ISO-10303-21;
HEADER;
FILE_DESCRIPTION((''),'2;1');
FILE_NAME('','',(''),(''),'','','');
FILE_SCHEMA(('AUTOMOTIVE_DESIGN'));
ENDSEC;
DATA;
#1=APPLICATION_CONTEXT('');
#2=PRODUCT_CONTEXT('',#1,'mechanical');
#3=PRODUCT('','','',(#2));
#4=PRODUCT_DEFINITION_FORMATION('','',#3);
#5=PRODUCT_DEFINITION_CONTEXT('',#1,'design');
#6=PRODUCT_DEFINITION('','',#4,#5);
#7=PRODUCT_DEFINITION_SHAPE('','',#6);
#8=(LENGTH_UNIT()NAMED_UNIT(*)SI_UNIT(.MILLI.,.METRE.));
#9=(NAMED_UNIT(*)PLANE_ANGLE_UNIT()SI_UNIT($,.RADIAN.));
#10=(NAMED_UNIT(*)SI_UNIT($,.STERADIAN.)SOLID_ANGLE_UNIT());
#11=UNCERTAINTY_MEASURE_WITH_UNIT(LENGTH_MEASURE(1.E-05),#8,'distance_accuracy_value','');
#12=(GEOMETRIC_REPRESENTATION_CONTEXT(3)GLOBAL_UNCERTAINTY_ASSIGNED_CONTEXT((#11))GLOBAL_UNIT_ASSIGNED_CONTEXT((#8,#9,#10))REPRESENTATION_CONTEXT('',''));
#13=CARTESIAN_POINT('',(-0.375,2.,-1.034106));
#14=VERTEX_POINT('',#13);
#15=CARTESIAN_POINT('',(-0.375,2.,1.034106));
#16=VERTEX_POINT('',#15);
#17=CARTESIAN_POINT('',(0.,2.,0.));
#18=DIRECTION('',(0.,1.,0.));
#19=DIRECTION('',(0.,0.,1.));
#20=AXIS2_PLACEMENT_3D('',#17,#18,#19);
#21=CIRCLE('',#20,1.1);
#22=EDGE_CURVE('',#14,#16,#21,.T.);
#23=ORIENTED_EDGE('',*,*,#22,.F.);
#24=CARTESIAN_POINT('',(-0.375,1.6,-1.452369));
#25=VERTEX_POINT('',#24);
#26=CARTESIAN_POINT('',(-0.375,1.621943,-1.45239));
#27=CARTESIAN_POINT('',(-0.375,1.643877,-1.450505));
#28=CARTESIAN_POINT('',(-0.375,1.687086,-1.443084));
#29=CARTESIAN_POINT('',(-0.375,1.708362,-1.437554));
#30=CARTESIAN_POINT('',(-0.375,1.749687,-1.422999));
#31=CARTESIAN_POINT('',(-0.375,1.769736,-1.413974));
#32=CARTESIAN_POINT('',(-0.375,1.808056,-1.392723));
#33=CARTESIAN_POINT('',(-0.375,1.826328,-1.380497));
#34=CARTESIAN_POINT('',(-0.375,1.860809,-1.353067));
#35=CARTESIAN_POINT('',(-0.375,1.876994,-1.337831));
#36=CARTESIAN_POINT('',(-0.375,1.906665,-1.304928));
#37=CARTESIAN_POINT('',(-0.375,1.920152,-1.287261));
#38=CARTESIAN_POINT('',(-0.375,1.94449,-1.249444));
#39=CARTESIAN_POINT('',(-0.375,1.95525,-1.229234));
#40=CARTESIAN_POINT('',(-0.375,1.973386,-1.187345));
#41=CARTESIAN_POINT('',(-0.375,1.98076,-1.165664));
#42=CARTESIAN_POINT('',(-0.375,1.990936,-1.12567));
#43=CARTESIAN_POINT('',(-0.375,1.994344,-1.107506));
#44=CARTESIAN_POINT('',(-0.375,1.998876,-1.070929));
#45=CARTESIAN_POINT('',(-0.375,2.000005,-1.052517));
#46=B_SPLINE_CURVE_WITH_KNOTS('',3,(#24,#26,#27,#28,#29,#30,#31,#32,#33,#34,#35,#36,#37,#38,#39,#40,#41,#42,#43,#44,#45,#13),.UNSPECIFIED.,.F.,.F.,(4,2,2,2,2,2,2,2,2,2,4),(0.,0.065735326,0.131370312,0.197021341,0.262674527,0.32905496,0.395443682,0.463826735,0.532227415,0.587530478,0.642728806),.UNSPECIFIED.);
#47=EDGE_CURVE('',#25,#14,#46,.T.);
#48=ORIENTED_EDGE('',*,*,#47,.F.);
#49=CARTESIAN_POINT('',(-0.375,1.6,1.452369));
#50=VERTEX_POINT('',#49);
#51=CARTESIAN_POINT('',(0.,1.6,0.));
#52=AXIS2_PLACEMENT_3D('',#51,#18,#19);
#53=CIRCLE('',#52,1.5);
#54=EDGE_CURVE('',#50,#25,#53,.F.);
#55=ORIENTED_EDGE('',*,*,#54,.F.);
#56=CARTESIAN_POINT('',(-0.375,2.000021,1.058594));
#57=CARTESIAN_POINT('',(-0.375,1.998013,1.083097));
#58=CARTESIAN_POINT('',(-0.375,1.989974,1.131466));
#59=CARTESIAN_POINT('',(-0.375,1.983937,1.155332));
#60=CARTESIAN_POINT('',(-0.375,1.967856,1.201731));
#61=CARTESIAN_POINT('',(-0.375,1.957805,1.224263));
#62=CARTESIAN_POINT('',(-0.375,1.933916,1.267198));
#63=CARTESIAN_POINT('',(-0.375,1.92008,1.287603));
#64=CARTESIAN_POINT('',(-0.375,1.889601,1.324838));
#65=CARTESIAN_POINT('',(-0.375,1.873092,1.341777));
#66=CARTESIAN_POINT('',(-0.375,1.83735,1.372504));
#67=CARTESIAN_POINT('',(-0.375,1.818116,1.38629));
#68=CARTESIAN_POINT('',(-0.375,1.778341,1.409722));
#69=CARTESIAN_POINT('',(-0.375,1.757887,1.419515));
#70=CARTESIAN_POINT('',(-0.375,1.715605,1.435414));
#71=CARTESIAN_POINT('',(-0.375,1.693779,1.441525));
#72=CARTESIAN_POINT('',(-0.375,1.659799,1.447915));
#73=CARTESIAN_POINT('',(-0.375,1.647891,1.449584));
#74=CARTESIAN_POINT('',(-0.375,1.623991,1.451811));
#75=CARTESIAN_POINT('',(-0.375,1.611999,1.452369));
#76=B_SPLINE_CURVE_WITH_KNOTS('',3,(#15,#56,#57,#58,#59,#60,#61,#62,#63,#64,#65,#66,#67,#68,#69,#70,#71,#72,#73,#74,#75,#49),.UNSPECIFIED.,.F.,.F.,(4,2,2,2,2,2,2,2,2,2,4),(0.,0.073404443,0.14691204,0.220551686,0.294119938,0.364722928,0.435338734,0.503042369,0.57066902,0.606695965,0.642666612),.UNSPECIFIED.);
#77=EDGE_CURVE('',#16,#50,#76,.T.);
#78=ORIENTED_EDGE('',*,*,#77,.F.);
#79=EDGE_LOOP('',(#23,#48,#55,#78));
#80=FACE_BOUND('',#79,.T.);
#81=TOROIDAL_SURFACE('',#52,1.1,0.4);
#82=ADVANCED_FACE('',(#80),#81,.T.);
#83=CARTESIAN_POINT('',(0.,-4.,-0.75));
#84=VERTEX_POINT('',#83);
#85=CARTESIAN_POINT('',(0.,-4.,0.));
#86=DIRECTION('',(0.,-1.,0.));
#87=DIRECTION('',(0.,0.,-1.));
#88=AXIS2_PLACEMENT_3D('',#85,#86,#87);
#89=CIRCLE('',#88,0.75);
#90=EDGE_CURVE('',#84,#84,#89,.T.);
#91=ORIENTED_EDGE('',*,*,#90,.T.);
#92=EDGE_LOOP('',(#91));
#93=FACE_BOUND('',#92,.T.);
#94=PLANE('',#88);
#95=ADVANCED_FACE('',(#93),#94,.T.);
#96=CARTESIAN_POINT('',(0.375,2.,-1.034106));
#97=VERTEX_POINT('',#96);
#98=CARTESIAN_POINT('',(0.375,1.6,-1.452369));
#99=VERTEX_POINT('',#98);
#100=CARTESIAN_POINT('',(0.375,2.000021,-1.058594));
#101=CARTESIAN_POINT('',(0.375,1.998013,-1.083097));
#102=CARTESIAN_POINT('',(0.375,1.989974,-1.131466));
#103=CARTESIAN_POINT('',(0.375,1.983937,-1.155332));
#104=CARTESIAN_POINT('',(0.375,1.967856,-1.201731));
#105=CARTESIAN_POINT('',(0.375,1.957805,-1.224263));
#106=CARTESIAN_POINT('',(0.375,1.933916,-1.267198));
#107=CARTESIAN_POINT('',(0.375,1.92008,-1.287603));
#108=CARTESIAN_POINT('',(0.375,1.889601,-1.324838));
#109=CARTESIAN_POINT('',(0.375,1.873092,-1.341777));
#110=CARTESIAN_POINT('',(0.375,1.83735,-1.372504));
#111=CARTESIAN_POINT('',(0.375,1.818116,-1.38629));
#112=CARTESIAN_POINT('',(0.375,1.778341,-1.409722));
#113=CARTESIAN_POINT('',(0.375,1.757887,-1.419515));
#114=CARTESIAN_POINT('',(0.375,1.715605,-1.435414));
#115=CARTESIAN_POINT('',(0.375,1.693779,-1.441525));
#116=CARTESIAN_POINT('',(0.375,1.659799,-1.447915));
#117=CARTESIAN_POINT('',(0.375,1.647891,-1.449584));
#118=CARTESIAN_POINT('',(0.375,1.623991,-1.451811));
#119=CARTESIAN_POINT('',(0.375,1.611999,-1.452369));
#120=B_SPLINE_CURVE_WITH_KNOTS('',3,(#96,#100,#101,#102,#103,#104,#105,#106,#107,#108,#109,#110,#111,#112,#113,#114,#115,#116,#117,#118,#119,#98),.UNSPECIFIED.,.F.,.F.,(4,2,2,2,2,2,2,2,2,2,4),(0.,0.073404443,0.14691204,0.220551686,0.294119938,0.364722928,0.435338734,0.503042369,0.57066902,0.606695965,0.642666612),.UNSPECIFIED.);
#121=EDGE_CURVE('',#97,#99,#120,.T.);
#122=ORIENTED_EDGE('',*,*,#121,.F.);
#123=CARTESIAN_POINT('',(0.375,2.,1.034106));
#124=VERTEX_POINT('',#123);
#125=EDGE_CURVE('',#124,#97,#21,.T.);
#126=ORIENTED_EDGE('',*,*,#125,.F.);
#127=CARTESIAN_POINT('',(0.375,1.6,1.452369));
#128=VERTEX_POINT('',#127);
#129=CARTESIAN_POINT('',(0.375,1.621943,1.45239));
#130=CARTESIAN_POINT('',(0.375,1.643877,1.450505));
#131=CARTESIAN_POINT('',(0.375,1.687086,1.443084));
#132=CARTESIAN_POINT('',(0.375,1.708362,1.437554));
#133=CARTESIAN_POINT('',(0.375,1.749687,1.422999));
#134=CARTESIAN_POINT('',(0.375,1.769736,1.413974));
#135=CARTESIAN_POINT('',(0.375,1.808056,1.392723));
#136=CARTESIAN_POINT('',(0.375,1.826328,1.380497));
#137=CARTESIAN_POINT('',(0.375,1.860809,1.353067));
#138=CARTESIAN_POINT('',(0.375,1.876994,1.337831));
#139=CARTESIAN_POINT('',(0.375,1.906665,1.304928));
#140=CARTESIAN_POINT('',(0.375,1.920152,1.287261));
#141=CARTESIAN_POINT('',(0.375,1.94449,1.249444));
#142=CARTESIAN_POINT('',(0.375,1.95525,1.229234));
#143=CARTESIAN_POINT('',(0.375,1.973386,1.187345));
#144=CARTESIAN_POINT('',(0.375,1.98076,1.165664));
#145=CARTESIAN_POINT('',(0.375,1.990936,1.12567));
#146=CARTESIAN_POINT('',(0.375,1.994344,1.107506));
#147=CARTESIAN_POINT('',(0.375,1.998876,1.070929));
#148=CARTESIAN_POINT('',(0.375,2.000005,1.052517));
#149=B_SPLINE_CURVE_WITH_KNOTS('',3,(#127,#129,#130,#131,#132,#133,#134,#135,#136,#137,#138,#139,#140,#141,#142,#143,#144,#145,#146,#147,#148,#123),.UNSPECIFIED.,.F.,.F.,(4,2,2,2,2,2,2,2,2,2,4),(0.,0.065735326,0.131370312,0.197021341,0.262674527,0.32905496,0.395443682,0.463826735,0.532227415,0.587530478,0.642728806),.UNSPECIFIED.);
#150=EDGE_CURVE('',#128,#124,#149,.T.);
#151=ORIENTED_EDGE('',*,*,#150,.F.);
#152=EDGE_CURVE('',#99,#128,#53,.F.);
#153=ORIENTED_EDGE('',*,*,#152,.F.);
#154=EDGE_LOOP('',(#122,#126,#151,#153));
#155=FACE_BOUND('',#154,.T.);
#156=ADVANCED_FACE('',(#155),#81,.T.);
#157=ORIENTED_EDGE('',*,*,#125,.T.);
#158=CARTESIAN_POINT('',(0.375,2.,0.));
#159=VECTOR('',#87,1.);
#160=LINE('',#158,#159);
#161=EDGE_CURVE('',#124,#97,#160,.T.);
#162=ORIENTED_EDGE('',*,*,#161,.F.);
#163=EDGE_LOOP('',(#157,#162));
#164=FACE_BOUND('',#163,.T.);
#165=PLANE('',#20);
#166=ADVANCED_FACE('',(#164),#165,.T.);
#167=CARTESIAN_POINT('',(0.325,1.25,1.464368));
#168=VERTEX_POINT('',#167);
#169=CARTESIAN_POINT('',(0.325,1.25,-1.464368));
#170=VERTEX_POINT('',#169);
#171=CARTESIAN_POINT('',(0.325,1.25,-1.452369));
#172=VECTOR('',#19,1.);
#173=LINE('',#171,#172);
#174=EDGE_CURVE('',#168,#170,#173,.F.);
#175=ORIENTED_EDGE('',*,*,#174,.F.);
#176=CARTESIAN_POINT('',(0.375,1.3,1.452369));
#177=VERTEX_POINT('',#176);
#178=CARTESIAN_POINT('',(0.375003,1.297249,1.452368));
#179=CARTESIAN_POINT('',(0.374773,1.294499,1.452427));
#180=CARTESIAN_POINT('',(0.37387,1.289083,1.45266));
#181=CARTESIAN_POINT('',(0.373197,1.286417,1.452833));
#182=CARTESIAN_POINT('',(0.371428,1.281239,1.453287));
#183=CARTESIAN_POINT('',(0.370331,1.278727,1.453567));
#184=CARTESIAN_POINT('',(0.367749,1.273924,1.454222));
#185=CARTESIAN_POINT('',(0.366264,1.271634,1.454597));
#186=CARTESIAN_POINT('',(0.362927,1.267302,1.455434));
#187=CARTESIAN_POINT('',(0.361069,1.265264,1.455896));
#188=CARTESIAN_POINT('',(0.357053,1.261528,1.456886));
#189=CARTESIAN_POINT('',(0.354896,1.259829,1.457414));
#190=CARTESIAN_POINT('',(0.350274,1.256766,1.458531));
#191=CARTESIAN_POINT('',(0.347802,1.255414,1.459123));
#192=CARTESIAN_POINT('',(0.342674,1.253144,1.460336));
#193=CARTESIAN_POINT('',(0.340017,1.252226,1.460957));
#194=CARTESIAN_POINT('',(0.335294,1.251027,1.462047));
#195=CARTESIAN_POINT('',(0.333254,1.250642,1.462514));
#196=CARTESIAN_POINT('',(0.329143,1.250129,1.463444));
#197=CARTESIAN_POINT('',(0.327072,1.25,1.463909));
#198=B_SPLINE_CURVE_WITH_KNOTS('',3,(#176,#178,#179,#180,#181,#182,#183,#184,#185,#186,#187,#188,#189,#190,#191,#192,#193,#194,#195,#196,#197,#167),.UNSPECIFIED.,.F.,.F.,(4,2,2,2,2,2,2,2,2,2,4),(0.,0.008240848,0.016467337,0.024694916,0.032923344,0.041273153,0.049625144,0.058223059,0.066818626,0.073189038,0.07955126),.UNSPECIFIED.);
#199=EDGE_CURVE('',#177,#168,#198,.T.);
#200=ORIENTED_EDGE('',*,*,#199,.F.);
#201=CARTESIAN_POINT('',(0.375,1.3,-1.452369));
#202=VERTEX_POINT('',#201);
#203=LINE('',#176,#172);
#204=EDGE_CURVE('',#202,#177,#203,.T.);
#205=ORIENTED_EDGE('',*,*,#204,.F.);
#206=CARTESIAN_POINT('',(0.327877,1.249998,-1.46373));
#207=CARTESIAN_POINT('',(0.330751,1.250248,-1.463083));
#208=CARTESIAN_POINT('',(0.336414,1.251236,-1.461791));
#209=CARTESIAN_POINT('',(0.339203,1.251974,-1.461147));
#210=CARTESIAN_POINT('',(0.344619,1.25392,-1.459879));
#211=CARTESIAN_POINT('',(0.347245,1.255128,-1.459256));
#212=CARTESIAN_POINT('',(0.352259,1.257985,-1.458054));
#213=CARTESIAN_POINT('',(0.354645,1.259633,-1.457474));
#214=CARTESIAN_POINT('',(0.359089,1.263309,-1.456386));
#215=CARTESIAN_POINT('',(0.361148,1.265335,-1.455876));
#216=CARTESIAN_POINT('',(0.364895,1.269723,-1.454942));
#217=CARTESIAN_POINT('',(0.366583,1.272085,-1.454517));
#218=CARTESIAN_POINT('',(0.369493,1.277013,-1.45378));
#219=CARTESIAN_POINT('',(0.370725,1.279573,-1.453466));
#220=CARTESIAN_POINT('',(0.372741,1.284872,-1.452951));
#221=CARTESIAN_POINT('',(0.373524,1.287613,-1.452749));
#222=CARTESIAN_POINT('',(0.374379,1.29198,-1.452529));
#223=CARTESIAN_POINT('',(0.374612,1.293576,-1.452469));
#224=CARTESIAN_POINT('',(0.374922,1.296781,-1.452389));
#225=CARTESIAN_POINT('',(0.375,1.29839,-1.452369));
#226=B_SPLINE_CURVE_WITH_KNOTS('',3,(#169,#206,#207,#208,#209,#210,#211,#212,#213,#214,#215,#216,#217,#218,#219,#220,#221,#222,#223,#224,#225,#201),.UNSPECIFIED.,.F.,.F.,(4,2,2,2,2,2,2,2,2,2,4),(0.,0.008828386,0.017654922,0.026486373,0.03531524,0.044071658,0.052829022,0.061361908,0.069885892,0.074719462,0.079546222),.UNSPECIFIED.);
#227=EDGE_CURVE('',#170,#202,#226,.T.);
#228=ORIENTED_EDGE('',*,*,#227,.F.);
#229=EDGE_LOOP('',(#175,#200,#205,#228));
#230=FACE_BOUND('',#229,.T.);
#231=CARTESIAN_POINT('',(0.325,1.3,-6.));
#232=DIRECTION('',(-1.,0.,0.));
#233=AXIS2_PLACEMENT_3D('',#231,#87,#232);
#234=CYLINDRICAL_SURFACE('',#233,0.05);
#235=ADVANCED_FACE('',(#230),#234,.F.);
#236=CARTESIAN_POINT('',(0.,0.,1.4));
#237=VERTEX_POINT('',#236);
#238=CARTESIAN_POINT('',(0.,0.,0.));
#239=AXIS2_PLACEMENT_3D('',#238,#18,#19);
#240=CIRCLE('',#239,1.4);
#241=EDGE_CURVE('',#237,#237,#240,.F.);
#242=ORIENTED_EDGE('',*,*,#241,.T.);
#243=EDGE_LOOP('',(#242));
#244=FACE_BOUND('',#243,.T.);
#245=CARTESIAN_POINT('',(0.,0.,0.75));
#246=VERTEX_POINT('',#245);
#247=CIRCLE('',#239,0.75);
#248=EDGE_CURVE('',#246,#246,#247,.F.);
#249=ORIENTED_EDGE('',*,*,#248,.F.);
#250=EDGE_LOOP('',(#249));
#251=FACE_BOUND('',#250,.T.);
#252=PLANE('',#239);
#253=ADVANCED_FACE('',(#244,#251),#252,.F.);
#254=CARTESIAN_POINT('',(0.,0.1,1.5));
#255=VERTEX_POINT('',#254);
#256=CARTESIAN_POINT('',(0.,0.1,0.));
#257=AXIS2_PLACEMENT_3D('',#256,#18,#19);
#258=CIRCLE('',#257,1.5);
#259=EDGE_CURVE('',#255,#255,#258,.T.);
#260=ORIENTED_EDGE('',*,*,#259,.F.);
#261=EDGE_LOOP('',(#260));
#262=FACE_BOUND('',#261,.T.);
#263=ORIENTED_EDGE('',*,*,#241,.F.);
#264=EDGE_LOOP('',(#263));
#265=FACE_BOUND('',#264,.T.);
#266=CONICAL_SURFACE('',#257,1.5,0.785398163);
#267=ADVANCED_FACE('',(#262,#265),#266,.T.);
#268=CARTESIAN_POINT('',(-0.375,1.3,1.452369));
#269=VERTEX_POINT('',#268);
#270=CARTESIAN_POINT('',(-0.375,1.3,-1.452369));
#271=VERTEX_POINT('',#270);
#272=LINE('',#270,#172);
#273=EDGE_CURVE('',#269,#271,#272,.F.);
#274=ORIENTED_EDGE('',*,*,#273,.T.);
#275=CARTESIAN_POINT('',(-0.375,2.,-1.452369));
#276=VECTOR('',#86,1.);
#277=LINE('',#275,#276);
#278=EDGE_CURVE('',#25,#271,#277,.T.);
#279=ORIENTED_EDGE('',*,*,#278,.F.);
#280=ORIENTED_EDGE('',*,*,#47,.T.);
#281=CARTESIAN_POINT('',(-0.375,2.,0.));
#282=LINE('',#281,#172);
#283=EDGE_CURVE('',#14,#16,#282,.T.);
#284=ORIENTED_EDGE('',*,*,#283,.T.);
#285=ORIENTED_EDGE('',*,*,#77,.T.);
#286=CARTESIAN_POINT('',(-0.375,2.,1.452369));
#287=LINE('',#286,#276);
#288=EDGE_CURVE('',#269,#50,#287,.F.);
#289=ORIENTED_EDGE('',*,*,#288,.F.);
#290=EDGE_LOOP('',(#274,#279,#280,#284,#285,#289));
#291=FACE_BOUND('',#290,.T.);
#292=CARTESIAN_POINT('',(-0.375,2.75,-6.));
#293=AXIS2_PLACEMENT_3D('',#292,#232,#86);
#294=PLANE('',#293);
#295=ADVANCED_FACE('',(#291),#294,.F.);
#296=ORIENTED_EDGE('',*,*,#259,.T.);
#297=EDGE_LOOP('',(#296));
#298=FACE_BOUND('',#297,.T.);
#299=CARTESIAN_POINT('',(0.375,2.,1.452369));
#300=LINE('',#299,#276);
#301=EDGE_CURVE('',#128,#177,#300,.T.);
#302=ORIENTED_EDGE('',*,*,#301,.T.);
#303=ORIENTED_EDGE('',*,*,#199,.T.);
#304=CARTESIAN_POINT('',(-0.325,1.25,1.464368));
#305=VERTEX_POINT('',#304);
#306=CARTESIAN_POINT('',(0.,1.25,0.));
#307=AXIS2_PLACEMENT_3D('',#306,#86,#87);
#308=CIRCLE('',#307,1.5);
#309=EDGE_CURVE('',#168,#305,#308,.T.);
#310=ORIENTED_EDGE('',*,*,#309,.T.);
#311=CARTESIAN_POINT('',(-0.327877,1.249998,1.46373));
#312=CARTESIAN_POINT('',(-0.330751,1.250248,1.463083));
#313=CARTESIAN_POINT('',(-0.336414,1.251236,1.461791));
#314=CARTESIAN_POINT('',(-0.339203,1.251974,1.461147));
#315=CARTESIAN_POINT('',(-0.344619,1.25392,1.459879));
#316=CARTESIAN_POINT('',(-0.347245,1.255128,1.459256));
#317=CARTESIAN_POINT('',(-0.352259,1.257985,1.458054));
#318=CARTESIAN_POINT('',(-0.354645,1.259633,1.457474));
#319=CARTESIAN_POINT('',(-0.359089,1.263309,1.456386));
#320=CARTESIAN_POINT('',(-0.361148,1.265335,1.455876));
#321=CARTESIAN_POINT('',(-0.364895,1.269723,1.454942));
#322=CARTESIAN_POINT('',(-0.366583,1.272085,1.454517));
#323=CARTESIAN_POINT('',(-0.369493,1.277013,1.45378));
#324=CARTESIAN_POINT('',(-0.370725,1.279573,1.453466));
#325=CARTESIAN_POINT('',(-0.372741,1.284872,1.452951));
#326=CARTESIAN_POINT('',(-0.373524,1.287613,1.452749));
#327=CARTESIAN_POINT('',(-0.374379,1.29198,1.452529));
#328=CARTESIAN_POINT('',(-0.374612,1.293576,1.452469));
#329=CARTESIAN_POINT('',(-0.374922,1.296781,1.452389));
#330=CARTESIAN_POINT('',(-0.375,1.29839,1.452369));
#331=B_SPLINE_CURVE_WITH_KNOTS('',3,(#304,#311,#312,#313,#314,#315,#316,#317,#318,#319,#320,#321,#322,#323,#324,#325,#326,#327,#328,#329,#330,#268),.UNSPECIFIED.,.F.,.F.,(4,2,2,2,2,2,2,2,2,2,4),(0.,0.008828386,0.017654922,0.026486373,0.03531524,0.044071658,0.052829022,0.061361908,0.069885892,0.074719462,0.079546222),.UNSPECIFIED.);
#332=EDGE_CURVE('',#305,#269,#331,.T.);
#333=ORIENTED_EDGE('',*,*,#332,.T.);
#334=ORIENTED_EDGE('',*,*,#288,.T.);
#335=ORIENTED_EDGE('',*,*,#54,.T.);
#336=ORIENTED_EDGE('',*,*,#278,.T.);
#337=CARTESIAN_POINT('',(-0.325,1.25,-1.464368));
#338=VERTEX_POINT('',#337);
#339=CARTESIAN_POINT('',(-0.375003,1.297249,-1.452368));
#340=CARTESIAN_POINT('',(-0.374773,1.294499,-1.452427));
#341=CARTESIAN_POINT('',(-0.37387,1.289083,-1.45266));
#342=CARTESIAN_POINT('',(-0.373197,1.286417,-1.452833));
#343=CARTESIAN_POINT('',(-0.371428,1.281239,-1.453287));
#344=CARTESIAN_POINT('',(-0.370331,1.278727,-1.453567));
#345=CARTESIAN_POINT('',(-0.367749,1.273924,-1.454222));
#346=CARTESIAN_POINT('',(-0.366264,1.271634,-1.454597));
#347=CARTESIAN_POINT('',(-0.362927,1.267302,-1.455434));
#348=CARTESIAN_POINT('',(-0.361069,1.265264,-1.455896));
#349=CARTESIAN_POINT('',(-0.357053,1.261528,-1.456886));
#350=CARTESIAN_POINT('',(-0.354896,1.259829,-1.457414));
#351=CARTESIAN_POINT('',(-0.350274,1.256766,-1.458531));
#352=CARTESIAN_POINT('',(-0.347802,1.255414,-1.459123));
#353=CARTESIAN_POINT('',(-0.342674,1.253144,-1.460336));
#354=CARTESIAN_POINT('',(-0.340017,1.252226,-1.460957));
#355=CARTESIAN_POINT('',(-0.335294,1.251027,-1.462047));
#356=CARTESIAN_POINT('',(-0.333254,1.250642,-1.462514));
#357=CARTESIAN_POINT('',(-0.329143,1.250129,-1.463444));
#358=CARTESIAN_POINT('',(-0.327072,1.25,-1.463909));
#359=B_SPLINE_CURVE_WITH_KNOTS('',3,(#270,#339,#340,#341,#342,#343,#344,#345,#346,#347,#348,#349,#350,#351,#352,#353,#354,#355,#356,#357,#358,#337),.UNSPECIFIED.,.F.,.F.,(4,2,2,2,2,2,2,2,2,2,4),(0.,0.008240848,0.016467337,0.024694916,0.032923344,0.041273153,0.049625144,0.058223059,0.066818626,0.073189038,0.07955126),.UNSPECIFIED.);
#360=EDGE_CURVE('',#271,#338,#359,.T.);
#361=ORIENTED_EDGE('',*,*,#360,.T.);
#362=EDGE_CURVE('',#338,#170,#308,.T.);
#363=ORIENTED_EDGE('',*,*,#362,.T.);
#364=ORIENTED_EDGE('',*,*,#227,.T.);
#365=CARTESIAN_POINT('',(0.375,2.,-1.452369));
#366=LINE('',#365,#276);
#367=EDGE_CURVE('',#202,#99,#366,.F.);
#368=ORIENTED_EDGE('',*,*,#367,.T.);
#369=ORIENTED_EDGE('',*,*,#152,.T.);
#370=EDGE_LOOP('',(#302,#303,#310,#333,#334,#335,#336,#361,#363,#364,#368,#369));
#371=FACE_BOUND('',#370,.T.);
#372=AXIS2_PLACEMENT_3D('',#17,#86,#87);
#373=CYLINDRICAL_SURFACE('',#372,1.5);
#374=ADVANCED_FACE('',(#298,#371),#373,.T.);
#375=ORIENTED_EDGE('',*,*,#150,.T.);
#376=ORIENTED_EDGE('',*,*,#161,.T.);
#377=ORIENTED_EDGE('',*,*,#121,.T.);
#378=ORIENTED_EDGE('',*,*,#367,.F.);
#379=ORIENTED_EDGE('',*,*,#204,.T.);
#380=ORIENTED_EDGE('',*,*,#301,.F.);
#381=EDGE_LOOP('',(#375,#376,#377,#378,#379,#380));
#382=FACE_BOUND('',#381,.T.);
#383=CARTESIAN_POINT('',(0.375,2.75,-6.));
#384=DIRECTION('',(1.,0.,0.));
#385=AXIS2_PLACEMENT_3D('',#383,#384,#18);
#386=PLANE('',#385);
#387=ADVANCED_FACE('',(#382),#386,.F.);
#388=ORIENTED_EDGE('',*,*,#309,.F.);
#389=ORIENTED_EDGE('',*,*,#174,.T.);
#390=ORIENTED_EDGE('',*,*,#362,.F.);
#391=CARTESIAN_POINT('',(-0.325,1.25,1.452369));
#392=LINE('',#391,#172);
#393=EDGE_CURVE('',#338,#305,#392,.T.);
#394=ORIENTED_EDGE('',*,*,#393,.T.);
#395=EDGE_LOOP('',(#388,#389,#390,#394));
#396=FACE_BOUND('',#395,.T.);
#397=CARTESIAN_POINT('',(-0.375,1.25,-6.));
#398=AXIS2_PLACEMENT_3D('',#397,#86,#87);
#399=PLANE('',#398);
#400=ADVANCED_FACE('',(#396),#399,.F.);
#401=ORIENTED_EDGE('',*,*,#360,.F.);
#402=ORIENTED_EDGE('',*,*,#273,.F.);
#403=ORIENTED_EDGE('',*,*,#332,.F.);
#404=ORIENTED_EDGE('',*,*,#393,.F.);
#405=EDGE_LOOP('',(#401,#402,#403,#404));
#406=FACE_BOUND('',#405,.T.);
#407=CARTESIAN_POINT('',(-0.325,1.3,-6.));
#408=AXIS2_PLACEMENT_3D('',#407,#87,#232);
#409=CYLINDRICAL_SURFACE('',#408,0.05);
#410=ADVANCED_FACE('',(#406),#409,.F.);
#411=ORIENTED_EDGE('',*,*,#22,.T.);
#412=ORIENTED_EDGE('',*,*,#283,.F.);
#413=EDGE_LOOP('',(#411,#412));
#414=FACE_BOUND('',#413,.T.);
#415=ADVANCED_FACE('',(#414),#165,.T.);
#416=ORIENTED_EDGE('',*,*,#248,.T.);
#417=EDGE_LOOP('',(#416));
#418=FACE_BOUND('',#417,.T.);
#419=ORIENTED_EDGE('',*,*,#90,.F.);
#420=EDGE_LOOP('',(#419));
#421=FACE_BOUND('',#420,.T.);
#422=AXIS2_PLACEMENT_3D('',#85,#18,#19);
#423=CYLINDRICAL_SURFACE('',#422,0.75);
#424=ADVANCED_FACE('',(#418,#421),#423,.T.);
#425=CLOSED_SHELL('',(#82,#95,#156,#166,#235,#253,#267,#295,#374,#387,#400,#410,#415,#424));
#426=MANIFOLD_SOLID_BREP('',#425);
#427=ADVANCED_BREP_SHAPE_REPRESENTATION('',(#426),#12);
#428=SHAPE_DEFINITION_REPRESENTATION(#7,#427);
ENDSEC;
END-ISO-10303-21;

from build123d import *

# Parameters (mm, degrees)
SKETCH1_R           = 1.5
BOSS_EXTRUDE1_DEPTH = 2
SKETCH2_W           = 0.75
SKETCH2_H           = 1.5
CUT_EXTRUDE1_DEPTH  = 6
SKETCH3_R           = 0.75
BOSS_EXTRUDE2_DEPTH = 4
FILLET1_R           = 0.05
CHAMFER2_SIZE       = 0.1
FILLET2_R           = 0.4


with BuildPart() as part:
    # Sketch1 → Boss-Extrude1 (new body)
    with BuildSketch(Plane(origin=(0, 0, 0), x_dir=(1, 0, 0), z_dir=(0, 1, 0))):
        Circle(SKETCH1_R)
    extrude(amount=BOSS_EXTRUDE1_DEPTH)

    # Sketch2 → Cut-Extrude1 (cut, symmetric)
    with BuildSketch(Plane.XY):
        with Locations((0, 2)):
            Rectangle(SKETCH2_W, SKETCH2_H)
    extrude(amount=CUT_EXTRUDE1_DEPTH, both=True, mode=Mode.SUBTRACT)

    # Sketch3 → Boss-Extrude2 (add)
    with BuildSketch(Plane.XZ):
        Circle(SKETCH3_R)
    extrude(amount=BOSS_EXTRUDE2_DEPTH)

    # Fillet1
    fillet1_edges = [part.edges().sort_by_distance(p)[0] for p in [
        (-0.375, 1.25, 0),
        (0.375, 1.25, 0),
    ]]
    fillet(fillet1_edges, radius=FILLET1_R)

    # Chamfer2
    chamfer2_edges = [part.edges().sort_by_distance(p)[0] for p in [
        (-1.5, 0, 0),
    ]]
    chamfer(chamfer2_edges, length=CHAMFER2_SIZE)

    # Fillet2
    fillet2_edges = [part.edges().sort_by_distance(p)[0] for p in [
        (1.185854123, 2, 0.918558654),
        (-1.5, 2, 0),
    ]]
    fillet(fillet2_edges, radius=FILLET2_R)


solid = part.part
